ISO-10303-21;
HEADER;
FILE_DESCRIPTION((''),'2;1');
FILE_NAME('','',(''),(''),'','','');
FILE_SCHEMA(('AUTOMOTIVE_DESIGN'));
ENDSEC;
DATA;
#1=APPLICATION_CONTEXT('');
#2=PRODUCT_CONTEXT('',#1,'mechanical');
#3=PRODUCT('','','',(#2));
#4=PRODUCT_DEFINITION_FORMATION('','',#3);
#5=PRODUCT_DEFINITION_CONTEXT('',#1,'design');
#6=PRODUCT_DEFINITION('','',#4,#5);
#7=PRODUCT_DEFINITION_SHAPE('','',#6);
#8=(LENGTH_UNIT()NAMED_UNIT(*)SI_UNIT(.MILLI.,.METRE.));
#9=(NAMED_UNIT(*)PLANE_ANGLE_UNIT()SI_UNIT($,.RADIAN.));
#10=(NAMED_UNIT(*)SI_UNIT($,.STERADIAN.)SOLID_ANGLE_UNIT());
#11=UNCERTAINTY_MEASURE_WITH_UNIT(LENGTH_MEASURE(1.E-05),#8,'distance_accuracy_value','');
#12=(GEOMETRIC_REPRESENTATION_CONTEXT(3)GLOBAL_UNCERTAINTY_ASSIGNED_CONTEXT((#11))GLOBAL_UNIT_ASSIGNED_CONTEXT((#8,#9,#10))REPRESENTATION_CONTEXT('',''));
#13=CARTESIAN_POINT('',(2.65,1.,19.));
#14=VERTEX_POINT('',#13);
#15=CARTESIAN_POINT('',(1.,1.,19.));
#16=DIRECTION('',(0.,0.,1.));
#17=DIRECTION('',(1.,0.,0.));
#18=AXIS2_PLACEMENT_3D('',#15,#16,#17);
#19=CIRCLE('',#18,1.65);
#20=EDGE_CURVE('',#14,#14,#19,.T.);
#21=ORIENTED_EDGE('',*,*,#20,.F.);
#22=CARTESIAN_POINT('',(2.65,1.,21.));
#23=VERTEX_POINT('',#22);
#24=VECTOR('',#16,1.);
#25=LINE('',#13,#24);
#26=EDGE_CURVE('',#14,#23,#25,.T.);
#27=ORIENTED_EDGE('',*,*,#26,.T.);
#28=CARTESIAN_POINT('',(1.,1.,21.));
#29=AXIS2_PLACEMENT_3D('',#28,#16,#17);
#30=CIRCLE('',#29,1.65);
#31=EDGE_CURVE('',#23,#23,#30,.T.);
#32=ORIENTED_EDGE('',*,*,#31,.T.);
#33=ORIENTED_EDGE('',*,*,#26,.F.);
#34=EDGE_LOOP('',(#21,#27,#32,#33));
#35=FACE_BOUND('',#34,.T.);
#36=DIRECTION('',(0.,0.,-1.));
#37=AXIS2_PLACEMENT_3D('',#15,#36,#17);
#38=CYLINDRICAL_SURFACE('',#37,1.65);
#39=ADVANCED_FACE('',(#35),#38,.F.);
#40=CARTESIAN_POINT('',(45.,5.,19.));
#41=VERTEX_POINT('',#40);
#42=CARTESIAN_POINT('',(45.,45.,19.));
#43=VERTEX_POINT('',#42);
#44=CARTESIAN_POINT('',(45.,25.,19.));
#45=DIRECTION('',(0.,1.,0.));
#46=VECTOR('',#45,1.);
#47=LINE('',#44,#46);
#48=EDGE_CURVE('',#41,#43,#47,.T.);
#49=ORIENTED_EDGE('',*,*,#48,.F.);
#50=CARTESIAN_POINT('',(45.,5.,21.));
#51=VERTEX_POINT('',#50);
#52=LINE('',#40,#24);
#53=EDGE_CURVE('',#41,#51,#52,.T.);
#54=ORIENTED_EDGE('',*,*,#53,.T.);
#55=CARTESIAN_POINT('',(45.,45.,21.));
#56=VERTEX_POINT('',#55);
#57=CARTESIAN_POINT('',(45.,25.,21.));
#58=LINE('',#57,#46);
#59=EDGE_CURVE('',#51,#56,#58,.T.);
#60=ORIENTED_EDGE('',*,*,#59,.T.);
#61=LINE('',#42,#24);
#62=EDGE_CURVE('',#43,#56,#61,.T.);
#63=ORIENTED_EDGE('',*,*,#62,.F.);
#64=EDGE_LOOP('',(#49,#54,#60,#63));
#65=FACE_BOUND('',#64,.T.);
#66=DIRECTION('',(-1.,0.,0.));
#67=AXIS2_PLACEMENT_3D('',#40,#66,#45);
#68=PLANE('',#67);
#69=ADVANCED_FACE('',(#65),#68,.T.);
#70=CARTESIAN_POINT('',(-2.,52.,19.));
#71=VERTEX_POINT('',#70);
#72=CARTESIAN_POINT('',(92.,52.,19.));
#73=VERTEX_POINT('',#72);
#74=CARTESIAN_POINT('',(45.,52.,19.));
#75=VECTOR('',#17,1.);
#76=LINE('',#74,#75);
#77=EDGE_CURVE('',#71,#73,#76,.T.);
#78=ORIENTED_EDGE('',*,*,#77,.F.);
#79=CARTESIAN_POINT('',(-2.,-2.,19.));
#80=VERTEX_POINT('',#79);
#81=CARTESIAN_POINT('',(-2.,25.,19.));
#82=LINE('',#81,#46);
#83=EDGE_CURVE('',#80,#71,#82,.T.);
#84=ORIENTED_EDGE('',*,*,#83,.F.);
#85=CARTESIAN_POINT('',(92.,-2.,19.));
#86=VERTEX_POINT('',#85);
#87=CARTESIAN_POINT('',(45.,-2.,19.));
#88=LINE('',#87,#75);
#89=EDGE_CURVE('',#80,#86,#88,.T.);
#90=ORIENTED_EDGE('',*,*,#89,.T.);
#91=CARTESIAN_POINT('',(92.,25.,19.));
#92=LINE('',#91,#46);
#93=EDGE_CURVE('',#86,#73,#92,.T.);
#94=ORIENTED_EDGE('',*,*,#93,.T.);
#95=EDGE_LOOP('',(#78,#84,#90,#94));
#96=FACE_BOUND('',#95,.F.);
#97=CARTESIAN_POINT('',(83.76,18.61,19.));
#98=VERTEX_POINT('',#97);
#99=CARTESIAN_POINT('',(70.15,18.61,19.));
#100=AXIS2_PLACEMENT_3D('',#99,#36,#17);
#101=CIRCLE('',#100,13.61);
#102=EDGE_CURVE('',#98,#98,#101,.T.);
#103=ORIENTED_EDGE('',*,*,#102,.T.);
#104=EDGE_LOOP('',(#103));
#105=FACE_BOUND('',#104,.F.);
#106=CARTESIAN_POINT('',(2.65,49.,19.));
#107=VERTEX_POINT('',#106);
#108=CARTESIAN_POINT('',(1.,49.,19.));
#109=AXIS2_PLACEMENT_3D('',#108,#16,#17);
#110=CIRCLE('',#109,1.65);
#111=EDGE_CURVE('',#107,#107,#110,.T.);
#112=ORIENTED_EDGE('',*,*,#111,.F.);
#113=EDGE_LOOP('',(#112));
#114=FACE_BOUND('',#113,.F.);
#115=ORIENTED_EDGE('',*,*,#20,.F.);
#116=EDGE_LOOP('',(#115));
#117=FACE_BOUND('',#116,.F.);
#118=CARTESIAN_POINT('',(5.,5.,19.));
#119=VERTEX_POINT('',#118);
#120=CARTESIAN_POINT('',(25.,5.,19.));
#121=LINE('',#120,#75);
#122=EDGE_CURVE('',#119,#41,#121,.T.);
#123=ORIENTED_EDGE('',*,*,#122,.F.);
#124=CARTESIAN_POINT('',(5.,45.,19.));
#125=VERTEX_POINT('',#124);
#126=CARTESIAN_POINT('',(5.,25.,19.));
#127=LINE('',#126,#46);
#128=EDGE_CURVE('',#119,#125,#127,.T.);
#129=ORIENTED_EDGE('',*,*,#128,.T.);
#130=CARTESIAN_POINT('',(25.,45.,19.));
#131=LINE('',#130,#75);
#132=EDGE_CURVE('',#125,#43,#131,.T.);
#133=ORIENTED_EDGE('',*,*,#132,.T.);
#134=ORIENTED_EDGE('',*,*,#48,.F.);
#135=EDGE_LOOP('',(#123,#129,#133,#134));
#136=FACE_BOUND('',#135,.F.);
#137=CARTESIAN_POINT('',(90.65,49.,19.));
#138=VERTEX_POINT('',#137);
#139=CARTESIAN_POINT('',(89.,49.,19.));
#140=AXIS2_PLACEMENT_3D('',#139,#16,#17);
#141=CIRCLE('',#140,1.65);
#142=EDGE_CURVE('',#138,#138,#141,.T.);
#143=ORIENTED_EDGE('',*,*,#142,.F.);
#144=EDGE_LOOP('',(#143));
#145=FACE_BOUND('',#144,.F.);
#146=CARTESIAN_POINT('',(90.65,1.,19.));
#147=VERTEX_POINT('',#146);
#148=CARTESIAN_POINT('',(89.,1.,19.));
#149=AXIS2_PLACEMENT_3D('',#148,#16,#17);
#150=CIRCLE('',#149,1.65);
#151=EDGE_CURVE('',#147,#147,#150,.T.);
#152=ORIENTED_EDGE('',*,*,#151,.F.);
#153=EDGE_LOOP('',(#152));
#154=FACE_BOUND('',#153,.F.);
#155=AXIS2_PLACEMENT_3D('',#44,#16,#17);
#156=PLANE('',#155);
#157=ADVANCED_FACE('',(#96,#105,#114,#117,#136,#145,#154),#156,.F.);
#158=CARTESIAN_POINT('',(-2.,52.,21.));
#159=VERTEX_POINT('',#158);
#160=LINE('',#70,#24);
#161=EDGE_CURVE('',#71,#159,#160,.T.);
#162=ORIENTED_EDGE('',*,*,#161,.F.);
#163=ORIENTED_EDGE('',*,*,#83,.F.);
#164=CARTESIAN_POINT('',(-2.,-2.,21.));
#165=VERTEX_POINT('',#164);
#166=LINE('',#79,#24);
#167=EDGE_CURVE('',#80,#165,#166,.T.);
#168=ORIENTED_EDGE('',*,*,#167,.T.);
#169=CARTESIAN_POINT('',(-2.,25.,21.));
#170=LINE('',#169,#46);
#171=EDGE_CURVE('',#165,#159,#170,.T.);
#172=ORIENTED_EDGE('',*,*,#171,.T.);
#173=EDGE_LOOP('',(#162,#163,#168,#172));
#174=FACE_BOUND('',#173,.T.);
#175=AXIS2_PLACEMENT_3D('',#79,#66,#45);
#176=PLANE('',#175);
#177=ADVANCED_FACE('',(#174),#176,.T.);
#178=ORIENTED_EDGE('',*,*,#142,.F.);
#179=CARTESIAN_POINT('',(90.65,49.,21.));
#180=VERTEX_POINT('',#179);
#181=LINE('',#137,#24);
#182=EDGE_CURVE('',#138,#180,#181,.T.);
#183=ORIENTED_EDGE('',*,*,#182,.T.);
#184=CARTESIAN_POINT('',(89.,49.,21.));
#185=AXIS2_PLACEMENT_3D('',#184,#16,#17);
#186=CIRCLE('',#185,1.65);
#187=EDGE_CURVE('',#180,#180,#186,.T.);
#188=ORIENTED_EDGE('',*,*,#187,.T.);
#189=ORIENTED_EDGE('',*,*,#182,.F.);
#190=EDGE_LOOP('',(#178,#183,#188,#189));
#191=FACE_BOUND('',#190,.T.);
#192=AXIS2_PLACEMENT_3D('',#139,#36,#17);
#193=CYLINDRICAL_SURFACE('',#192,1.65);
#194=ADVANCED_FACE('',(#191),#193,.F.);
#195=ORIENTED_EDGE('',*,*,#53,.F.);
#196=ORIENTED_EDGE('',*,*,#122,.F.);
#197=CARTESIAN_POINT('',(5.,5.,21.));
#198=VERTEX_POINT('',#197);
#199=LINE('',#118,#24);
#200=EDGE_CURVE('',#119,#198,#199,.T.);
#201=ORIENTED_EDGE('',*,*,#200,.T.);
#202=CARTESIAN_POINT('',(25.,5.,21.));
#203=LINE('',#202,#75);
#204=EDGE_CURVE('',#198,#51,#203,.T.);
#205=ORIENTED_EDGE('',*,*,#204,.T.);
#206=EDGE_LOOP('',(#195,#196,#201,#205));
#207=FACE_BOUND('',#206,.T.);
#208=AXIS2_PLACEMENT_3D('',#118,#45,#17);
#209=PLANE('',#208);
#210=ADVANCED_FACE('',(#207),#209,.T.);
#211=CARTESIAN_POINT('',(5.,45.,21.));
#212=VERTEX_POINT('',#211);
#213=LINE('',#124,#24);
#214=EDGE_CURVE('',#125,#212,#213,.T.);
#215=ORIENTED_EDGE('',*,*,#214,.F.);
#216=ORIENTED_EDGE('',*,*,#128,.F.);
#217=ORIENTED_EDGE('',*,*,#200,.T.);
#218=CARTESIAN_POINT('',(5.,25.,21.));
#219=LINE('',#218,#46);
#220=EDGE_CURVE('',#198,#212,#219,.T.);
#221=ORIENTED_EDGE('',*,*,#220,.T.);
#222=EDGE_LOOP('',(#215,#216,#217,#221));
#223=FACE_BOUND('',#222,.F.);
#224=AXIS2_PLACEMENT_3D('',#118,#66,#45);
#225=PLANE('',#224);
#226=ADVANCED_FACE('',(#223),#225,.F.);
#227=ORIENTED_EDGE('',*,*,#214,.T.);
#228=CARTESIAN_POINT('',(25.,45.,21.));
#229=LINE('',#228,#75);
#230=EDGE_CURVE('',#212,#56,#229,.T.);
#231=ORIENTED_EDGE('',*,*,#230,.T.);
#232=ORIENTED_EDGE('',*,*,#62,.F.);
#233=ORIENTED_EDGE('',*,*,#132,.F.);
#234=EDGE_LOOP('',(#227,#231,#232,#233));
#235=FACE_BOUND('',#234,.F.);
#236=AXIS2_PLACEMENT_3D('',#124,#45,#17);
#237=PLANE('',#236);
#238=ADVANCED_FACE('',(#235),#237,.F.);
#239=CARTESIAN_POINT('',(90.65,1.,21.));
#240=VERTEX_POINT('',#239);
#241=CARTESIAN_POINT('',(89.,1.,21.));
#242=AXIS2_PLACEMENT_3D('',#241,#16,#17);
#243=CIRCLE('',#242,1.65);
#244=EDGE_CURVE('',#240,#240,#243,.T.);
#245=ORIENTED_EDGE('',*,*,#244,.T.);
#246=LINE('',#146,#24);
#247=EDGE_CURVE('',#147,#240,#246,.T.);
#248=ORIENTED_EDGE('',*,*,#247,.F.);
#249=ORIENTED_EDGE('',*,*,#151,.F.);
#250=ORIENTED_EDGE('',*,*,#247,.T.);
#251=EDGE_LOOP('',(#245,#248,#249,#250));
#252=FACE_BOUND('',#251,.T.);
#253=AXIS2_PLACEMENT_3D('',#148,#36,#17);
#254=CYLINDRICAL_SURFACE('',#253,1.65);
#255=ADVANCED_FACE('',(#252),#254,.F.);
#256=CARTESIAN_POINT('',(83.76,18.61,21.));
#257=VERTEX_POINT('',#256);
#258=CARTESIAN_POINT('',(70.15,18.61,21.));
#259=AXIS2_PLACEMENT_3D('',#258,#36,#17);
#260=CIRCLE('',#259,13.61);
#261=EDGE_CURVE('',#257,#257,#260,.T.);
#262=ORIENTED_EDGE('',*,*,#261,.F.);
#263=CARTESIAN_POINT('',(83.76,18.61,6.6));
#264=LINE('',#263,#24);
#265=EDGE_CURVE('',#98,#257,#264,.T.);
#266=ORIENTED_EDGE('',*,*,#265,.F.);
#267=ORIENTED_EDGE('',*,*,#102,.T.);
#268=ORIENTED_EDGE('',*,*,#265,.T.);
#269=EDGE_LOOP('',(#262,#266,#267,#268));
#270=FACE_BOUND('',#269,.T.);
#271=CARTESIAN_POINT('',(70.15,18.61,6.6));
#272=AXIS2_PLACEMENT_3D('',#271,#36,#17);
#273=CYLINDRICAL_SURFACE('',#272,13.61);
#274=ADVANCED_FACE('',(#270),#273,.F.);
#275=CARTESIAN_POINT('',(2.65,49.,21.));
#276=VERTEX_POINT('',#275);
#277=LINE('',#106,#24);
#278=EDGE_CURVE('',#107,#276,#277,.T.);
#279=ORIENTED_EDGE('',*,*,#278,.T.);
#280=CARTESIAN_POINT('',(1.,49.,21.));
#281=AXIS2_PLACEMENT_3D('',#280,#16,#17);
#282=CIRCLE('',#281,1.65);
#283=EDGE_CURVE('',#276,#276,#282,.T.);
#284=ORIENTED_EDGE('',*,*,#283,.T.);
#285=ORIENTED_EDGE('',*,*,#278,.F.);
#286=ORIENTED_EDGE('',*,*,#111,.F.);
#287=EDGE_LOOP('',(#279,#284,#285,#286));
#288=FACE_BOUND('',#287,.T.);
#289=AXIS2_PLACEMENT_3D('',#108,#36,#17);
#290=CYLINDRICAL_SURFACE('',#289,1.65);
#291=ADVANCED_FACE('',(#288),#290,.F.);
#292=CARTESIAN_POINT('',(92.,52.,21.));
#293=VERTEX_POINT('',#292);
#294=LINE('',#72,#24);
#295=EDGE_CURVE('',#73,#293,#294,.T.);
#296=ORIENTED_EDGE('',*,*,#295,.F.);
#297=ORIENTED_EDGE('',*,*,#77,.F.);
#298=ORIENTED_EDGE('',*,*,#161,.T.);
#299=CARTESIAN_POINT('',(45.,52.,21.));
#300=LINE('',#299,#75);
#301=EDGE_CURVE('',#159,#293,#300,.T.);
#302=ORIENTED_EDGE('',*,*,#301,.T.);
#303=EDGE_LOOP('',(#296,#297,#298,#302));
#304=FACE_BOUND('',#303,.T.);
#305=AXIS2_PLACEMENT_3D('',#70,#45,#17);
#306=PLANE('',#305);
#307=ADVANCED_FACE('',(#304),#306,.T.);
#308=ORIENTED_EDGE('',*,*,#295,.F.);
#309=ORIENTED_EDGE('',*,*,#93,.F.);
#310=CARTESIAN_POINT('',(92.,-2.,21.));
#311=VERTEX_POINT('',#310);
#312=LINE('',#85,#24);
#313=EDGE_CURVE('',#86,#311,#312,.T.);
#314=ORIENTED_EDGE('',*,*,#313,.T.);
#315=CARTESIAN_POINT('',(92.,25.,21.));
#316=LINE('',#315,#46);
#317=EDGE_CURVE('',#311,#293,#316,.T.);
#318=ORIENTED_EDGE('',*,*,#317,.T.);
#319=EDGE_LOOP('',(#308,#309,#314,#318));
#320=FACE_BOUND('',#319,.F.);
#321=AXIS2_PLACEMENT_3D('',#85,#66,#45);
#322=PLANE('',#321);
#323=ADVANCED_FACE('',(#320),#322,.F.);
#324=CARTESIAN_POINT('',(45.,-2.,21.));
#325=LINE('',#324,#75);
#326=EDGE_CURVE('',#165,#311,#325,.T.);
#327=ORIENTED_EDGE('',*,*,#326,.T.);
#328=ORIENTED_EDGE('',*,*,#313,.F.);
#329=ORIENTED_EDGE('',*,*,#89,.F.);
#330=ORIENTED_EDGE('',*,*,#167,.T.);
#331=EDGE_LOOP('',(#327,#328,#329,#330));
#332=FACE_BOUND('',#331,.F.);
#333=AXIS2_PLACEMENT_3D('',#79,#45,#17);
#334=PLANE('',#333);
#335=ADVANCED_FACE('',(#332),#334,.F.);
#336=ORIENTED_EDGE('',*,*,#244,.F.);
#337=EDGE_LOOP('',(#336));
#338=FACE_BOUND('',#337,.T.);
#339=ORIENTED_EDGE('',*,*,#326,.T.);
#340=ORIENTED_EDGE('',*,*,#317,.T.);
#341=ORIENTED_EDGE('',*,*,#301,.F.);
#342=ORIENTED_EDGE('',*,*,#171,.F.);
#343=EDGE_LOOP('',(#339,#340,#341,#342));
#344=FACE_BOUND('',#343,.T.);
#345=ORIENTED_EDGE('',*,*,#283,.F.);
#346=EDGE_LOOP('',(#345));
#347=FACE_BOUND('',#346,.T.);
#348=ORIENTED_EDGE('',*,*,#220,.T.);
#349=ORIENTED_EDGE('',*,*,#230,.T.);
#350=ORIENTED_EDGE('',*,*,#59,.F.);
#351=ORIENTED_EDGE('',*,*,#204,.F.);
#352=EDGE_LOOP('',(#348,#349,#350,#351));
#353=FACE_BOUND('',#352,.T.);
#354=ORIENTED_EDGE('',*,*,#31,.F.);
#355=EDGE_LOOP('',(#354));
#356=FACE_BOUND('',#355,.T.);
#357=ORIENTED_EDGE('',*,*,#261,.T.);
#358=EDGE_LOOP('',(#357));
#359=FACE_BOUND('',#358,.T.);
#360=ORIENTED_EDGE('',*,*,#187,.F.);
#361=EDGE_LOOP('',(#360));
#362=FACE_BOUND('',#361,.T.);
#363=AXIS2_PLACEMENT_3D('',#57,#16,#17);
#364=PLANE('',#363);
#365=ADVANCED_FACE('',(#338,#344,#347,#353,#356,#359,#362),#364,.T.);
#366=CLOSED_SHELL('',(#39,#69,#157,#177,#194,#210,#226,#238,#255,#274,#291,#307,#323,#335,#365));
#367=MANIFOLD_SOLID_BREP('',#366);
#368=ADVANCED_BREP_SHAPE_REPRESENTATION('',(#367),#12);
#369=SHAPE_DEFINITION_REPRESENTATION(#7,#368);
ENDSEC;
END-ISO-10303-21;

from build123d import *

# Parameters (mm, degrees)
SKETCH018_R      = 11
EXTRUDE016_DEPTH = 11
SKETCH015_W      = 33.86
SKETCH015_H      = 26.75
SKETCH015_R      = 1.65
EXTRUDE017_DEPTH = 1.6
SKETCH016_W      = 17
SKETCH016_H      = 12.75
EXTRUDE018_DEPTH = 4.3
SKETCH017_R      = 13.61
EXTRUDE015_DEPTH = 19.27
SKETCH028_W      = 94
SKETCH028_H      = 54
SKETCH028_R      = 1.65
SKETCH028_W_2    = 40
SKETCH028_H_2    = 40
EXTRUDE028_DEPTH = 2


with BuildPart() as extrude_joystick_stick:
    # Sketch018 → Extrude016 (new body)
    with BuildSketch(Plane.XY):
        with Locations((16.975, 14)):
            Circle(SKETCH018_R)
    extrude(amount=EXTRUDE016_DEPTH)


with BuildPart() as extrude_joystick_stick_1:
    # Extrude016 placement: moved
    add(extrude_joystick_stick.part.moved(Location((0, 0, 20.87))))


with BuildPart() as extrude_joystick_base:
    # Sketch015 → Extrude017 (new body)
    with BuildSketch(Plane.XY):
        with Locations((16.93, 13.375)):
            Rectangle(SKETCH015_W, SKETCH015_H)
        with Locations((5, 22.88)):
            Circle(SKETCH015_R, mode=Mode.SUBTRACT)
        with Locations((31.01, 22.88)):
            Circle(SKETCH015_R, mode=Mode.SUBTRACT)
        with Locations((4.99, 3.31)):
            Circle(SKETCH015_R, mode=Mode.SUBTRACT)
        with Locations((31.01, 3.31)):
            Circle(SKETCH015_R, mode=Mode.SUBTRACT)
    extrude(amount=EXTRUDE017_DEPTH)


with BuildPart() as extrude_joystick_connector:
    # Sketch016 → Extrude018 (new body)
    with BuildSketch(Plane.XY):
        with Locations((-8.5, 13.875)):
            Rectangle(SKETCH016_W, SKETCH016_H)
    extrude(amount=EXTRUDE018_DEPTH)


with BuildPart() as extrude_joystick_connector_1:
    # Extrude018 placement: moved
    add(extrude_joystick_connector.part.moved(Location((0.1, 0, 1.6))))


with BuildPart() as fusion_joystick_connector001:
    # Sketch017 → Extrude015 (new body)
    with BuildSketch(Plane.XY):
        with Locations((17.15, 13.61)):
            Circle(SKETCH017_R)
    extrude(amount=EXTRUDE015_DEPTH)


with BuildPart() as fusion_joystick_connector001_1:
    # Extrude015 placement: moved
    add(fusion_joystick_connector001.part.moved(Location((0, 0, 1.6))))

    # Fusion005: union Extrude_JoyStick_Stick, Extrude_JoyStick_base, Extrude_JoyStick_connector
    add(extrude_joystick_stick_1.part)
    add(extrude_joystick_base.part)
    add(extrude_joystick_connector_1.part)


with BuildPart() as fusion_joystick_connector001_2:
    # Fusion005 placement: moved
    add(fusion_joystick_connector001_1.part.moved(Location((53, 5, 5))))


with BuildPart() as cut_controllercase_top:
    # Sketch028 → Extrude028 (new body)
    with BuildSketch(Plane.XY):
        with Locations((45, 25)):
            Rectangle(SKETCH028_W, SKETCH028_H)
        with Locations((1, 49)):
            Circle(SKETCH028_R, mode=Mode.SUBTRACT)
        with Locations((89, 49)):
            Circle(SKETCH028_R, mode=Mode.SUBTRACT)
        with Locations((89, 1)):
            Circle(SKETCH028_R, mode=Mode.SUBTRACT)
        with Locations((1, 1)):
            Circle(SKETCH028_R, mode=Mode.SUBTRACT)
        with Locations((25, 25)):
            Rectangle(SKETCH028_W_2, SKETCH028_H_2, mode=Mode.SUBTRACT)
    extrude(amount=EXTRUDE028_DEPTH)


with BuildPart() as cut_controllercase_top_1:
    # Extrude028 placement: moved
    add(cut_controllercase_top.part.moved(Location((0, 0, 19))))

    # Cut003: cut Fusion_JoyStick_connector001
    add(fusion_joystick_connector001_2.part, mode=Mode.SUBTRACT)


solid = cut_controllercase_top_1.part
